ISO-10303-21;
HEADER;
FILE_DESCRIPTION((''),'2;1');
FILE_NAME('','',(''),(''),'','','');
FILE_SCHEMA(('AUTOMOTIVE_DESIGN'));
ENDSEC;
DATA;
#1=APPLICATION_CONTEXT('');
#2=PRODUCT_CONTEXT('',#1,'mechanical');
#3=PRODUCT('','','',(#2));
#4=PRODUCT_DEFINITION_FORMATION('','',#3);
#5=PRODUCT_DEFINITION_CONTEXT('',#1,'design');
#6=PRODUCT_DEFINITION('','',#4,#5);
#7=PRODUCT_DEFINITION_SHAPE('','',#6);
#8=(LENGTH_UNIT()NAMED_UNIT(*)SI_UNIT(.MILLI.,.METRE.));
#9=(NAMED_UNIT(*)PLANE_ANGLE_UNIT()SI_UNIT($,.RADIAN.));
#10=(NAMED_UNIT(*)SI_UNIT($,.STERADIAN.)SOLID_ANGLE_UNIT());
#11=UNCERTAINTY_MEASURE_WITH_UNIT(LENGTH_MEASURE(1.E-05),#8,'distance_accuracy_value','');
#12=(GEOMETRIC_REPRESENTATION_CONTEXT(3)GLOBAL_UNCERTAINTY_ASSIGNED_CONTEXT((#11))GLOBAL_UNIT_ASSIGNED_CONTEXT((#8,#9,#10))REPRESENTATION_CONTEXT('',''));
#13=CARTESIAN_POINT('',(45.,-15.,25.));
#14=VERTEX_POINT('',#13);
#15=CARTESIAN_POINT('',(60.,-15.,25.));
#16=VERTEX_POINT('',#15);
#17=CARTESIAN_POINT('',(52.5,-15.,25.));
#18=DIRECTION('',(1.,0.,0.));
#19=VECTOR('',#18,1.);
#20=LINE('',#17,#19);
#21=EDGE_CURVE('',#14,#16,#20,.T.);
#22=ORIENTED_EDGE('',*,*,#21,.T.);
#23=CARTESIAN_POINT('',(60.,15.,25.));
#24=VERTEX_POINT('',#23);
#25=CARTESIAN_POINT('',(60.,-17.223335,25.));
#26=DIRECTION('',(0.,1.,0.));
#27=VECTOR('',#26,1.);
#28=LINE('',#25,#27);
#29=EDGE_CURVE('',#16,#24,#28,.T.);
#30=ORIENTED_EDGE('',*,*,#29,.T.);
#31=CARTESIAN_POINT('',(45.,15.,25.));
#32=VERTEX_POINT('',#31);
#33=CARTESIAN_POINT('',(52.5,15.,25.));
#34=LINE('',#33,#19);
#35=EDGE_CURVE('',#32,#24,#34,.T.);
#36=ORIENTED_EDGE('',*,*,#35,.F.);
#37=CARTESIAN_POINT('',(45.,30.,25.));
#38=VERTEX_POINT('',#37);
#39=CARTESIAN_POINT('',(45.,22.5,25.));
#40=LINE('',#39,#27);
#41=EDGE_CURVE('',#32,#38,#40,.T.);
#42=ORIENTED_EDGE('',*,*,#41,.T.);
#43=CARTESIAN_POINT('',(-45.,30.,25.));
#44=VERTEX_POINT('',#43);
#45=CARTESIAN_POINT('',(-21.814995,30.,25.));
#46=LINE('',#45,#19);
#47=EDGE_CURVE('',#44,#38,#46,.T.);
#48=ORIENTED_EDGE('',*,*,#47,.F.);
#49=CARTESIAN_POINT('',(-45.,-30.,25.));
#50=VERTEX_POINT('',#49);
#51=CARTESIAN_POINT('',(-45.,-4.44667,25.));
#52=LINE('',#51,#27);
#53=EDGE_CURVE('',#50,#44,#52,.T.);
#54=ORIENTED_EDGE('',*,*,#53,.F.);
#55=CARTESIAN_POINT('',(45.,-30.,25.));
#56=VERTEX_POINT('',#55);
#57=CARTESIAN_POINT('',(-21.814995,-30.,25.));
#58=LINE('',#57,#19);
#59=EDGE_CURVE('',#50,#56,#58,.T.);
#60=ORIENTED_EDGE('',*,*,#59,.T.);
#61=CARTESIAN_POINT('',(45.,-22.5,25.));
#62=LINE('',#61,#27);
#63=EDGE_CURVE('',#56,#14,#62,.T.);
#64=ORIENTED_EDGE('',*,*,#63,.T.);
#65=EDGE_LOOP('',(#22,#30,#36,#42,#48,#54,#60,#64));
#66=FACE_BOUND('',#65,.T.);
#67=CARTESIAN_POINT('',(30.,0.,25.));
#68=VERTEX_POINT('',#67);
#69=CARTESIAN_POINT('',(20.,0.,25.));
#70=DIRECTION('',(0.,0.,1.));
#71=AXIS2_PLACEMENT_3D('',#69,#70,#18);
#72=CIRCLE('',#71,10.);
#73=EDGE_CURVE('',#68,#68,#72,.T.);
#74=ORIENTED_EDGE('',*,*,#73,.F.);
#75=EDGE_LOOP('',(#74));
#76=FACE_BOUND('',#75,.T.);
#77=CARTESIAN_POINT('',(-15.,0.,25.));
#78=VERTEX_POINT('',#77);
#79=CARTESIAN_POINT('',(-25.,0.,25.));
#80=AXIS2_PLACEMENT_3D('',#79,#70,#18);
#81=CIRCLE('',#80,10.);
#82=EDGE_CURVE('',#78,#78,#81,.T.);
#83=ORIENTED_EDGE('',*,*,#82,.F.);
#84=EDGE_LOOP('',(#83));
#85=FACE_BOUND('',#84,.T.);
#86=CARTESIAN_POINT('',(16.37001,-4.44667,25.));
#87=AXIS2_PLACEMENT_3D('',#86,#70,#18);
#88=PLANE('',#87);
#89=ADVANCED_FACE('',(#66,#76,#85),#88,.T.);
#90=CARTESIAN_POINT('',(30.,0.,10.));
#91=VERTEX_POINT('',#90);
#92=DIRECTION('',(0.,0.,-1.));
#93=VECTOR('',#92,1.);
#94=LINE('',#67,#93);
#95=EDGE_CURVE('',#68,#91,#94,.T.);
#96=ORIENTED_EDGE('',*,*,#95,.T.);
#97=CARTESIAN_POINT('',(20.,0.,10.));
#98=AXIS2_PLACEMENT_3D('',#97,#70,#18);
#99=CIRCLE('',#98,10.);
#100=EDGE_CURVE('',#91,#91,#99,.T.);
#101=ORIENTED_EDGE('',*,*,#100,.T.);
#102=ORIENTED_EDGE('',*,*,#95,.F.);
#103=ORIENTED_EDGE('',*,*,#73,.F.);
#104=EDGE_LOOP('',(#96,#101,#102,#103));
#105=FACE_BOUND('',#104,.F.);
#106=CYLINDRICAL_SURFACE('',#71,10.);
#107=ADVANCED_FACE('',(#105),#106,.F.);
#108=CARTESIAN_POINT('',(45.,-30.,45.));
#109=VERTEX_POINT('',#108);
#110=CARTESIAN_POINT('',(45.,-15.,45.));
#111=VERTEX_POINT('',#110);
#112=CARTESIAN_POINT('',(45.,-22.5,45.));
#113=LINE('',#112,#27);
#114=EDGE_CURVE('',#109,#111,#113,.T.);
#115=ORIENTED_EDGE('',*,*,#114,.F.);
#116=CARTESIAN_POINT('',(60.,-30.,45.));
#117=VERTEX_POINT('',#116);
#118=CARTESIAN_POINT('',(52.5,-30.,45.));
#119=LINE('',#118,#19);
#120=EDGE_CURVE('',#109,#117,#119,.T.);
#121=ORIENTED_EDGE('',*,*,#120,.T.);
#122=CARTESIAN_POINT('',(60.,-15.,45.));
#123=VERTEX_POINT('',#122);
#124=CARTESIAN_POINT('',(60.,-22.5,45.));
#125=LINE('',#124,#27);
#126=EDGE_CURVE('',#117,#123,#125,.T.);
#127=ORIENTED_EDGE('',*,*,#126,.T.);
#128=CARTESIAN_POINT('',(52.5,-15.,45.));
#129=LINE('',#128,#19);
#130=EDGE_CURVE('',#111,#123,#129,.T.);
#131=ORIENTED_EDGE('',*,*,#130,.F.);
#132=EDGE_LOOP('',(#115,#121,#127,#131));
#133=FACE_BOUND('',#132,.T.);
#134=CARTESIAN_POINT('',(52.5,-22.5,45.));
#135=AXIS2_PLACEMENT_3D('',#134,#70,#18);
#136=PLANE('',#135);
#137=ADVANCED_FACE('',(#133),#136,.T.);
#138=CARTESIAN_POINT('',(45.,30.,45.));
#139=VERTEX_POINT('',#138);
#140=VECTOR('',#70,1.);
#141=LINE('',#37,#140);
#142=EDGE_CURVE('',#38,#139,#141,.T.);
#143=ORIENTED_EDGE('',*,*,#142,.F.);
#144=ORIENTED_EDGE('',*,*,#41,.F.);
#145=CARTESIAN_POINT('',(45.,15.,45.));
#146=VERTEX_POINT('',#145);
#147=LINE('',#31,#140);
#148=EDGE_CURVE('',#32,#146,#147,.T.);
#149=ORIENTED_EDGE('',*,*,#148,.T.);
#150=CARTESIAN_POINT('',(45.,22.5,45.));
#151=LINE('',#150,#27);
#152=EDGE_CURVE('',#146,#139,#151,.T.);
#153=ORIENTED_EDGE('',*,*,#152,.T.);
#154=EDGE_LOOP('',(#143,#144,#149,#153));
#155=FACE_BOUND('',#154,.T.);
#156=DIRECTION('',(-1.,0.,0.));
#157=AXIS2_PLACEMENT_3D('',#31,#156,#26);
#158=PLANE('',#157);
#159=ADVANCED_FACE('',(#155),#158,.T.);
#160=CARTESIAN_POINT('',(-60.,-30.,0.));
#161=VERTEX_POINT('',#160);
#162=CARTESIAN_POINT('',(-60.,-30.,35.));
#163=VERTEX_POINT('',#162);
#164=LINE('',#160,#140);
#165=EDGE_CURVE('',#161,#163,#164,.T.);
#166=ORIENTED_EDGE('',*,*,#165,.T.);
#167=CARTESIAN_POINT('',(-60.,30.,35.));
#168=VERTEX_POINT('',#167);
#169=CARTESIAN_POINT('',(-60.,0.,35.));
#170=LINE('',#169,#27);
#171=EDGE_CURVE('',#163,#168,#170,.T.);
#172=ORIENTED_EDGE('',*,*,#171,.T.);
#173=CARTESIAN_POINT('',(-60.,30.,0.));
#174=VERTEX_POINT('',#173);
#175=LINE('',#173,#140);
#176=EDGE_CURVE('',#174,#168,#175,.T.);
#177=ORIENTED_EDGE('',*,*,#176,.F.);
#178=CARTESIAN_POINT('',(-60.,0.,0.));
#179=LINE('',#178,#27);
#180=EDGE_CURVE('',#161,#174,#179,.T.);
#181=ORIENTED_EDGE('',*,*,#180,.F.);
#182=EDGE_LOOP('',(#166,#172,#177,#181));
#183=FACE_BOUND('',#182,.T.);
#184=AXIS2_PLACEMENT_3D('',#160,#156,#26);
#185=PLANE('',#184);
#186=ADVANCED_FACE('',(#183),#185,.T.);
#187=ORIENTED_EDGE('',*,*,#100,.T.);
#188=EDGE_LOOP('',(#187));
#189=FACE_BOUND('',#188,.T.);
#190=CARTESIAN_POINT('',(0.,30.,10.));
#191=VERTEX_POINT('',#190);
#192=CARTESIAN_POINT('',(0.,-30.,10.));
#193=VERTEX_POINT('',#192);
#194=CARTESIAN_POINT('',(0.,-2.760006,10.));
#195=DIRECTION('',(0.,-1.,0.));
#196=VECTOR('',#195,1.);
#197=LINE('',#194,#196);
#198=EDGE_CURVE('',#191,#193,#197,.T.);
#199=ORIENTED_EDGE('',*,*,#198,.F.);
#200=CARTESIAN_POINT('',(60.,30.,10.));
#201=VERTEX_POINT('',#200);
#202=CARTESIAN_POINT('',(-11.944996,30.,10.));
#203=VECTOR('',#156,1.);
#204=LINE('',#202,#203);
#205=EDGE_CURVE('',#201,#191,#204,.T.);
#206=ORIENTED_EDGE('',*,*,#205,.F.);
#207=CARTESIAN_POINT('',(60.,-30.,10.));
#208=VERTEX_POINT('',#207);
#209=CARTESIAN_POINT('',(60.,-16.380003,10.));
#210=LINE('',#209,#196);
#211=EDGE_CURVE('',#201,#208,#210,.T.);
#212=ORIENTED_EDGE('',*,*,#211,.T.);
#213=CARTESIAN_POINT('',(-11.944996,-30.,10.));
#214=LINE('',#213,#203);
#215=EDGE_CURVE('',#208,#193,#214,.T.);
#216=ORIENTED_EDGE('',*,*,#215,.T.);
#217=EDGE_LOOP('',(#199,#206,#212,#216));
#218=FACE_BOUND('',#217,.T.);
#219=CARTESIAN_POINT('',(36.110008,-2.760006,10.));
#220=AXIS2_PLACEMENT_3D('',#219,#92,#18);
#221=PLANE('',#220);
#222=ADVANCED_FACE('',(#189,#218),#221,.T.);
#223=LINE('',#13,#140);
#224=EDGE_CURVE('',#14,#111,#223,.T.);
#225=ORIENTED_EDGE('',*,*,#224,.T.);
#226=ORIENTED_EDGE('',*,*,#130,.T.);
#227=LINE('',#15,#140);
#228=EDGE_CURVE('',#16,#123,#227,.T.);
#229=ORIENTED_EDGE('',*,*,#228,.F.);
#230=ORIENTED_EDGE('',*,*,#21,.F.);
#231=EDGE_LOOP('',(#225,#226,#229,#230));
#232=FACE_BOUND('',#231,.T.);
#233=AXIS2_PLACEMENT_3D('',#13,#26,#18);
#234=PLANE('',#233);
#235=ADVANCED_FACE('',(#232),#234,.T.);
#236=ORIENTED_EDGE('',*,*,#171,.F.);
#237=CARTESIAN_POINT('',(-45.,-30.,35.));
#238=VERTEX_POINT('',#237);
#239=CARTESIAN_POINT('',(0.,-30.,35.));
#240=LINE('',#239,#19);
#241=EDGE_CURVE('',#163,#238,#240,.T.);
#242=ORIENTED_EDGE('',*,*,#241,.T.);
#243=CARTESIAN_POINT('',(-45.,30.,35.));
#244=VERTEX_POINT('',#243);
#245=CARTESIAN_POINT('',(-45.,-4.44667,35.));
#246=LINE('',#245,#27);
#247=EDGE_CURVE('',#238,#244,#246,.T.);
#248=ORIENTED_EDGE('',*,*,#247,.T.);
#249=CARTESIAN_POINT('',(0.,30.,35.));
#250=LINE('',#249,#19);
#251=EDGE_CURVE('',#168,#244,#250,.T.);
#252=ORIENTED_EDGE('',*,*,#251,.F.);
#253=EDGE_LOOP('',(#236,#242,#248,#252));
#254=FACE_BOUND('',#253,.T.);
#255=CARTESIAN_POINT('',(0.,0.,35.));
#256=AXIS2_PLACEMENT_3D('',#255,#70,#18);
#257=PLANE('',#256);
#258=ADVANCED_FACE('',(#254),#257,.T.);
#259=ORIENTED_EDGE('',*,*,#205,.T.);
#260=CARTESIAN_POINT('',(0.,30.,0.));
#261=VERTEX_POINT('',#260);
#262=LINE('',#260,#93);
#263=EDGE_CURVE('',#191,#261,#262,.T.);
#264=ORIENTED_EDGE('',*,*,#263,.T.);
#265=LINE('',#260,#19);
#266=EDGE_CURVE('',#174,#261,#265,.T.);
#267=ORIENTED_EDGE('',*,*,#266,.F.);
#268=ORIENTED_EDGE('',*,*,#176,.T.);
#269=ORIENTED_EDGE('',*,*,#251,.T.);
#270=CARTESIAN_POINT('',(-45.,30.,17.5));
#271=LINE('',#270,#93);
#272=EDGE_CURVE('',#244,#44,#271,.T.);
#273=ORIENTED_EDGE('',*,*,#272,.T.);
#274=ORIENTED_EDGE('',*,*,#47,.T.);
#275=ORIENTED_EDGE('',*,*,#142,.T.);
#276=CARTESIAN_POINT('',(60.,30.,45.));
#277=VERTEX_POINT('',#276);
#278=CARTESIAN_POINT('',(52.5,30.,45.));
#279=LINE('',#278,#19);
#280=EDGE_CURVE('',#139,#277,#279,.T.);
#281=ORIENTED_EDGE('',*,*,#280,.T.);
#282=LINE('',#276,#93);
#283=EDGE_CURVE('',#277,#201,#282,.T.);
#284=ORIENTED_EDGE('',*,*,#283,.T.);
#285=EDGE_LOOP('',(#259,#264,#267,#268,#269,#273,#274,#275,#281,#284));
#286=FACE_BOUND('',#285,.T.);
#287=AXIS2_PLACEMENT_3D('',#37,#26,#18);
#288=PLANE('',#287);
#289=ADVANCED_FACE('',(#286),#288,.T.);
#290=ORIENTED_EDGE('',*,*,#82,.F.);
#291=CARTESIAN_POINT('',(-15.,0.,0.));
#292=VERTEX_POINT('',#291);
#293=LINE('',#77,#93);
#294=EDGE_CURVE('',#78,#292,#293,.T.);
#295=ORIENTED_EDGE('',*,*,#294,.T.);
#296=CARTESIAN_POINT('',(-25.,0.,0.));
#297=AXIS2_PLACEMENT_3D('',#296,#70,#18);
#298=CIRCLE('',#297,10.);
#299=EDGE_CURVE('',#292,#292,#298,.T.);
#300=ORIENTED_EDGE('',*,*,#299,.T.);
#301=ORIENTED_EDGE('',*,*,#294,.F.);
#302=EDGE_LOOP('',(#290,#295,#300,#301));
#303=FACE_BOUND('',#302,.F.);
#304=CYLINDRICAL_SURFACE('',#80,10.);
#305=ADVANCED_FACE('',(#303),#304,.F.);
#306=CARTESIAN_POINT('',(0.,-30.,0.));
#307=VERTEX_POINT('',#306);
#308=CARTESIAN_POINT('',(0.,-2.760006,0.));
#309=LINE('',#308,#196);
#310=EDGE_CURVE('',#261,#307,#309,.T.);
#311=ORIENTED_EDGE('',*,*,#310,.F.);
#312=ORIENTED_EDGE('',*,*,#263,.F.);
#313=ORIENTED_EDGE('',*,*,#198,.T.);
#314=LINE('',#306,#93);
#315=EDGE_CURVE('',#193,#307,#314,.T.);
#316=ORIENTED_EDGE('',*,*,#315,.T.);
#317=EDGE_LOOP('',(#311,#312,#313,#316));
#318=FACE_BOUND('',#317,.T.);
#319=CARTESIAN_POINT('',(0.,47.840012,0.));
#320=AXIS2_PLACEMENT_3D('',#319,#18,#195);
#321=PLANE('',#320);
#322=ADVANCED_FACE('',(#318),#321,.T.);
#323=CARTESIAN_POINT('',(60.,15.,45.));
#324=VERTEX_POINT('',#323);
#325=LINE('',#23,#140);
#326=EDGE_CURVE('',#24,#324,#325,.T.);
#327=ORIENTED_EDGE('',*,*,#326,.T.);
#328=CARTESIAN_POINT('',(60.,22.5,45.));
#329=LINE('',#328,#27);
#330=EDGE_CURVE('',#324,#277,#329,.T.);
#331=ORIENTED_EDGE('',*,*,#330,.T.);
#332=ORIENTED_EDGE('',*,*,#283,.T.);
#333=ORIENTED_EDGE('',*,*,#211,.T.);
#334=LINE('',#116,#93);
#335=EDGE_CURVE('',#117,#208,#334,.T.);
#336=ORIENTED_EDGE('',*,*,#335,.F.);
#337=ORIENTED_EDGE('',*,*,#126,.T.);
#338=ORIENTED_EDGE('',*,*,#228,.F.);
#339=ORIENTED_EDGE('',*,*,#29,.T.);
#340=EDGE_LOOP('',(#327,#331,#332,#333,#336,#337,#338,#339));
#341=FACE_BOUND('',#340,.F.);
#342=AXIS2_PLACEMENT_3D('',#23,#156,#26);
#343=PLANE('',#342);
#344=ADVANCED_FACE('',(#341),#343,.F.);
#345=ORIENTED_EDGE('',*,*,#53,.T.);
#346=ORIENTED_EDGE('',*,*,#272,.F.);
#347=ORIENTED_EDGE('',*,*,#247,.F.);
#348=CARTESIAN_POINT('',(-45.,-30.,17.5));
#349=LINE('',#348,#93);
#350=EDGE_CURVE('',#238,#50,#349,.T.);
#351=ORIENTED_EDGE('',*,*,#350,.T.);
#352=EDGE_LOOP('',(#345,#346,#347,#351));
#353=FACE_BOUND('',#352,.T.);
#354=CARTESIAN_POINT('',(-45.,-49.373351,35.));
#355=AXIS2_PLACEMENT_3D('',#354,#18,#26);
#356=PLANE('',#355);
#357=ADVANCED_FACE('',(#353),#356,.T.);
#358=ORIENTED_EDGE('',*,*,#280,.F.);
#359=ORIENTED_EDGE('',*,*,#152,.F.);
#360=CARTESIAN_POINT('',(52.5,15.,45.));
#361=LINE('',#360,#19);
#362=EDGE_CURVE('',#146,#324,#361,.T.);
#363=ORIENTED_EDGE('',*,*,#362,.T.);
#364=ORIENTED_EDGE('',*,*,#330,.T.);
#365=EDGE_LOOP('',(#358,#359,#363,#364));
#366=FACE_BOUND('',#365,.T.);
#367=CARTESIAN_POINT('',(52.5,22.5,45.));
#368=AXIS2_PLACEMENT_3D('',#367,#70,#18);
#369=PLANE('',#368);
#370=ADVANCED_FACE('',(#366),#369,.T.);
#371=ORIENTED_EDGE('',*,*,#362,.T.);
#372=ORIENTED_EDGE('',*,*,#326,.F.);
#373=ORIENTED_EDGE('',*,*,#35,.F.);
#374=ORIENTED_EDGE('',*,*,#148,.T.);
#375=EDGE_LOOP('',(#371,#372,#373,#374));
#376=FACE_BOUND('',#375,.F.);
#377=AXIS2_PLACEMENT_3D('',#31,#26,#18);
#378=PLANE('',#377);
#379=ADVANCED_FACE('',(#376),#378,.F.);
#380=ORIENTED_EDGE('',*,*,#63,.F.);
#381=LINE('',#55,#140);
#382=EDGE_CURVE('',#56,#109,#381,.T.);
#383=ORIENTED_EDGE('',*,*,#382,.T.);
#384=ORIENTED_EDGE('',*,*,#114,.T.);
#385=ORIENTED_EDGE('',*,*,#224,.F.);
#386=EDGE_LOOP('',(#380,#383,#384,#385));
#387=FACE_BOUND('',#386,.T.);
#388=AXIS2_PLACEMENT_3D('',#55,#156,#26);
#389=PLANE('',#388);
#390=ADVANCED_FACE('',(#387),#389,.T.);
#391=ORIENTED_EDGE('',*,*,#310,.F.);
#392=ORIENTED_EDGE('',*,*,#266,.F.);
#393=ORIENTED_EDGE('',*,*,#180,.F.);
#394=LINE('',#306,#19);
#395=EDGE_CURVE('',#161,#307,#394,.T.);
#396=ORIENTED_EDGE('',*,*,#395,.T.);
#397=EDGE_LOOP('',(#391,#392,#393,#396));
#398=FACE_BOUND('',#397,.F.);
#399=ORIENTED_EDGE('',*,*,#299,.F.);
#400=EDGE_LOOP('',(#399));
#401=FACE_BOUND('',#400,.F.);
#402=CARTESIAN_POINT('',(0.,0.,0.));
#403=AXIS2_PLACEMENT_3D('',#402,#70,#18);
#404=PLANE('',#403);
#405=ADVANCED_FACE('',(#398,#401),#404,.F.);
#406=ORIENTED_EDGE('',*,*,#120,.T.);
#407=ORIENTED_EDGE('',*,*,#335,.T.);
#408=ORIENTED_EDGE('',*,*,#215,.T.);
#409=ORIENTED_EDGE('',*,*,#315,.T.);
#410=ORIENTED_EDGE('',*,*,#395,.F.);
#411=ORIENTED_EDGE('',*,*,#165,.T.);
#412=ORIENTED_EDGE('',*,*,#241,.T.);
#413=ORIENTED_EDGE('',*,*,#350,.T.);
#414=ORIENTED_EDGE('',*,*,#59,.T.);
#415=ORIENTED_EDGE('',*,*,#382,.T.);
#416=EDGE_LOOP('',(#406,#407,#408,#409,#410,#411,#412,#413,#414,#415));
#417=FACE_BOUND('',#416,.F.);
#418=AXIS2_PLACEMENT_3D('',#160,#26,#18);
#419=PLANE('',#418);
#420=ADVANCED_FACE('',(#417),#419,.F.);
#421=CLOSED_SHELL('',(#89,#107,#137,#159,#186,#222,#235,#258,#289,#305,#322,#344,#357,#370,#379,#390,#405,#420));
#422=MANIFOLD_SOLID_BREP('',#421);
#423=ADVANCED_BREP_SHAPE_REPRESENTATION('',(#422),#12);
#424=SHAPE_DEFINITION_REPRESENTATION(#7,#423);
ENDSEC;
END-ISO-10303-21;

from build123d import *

# Parameters (mm, degrees)
SKETCH_W        = 120
SKETCH_H        = 60
PAD_DEPTH       = 35
SKETCH001_W     = 122.740021
SKETCH001_H     = 89.853363
POCKET_DEPTH    = 10
SKETCH002_W     = 72.220016
SKETCH002_H     = 101.200035
POCKET001_DEPTH = 10
SKETCH003_W     = 15
SKETCH003_H     = 15
PAD001_DEPTH    = 20
SKETCH004_R     = 10
POCKET002_DEPTH = 25.001


with BuildPart() as part:
    # Sketch → Pad (new body)
    with BuildSketch(Plane.XY):
        Rectangle(SKETCH_W, SKETCH_H)
    extrude(amount=PAD_DEPTH)

    # Sketch001 → Pocket (cut)
    with BuildSketch(Plane.XY.offset(35)):
        with Locations((16.37001, -4.44667)):
            Rectangle(SKETCH001_W, SKETCH001_H)
    extrude(amount=-POCKET_DEPTH, mode=Mode.SUBTRACT)

    # Sketch002 → Pocket001 (cut)
    with BuildSketch(Plane(origin=(0, 0, 0), x_dir=(1, 0, 0), z_dir=(0, 0, -1))):
        with Locations((36.110008, 2.760006)):
            Rectangle(SKETCH002_W, SKETCH002_H)
    extrude(amount=-POCKET001_DEPTH, mode=Mode.SUBTRACT)

    # Sketch003 → Pad001 (new body)
    with BuildSketch(Plane.XY.offset(25)):
        with Locations((52.5, 22.5)):
            Rectangle(SKETCH003_W, SKETCH003_H)
        with Locations((52.5, -22.5)):
            Rectangle(SKETCH003_W, SKETCH003_H)
    extrude(amount=PAD001_DEPTH)

    # Sketch004 → Pocket002 (cut, through all)
    with BuildSketch(Plane.XY.offset(25)):
        with Locations((-25, 0)):
            Circle(SKETCH004_R)
        with Locations((20, 0)):
            Circle(SKETCH004_R)
    extrude(amount=-POCKET002_DEPTH, mode=Mode.SUBTRACT)


solid = part.part
